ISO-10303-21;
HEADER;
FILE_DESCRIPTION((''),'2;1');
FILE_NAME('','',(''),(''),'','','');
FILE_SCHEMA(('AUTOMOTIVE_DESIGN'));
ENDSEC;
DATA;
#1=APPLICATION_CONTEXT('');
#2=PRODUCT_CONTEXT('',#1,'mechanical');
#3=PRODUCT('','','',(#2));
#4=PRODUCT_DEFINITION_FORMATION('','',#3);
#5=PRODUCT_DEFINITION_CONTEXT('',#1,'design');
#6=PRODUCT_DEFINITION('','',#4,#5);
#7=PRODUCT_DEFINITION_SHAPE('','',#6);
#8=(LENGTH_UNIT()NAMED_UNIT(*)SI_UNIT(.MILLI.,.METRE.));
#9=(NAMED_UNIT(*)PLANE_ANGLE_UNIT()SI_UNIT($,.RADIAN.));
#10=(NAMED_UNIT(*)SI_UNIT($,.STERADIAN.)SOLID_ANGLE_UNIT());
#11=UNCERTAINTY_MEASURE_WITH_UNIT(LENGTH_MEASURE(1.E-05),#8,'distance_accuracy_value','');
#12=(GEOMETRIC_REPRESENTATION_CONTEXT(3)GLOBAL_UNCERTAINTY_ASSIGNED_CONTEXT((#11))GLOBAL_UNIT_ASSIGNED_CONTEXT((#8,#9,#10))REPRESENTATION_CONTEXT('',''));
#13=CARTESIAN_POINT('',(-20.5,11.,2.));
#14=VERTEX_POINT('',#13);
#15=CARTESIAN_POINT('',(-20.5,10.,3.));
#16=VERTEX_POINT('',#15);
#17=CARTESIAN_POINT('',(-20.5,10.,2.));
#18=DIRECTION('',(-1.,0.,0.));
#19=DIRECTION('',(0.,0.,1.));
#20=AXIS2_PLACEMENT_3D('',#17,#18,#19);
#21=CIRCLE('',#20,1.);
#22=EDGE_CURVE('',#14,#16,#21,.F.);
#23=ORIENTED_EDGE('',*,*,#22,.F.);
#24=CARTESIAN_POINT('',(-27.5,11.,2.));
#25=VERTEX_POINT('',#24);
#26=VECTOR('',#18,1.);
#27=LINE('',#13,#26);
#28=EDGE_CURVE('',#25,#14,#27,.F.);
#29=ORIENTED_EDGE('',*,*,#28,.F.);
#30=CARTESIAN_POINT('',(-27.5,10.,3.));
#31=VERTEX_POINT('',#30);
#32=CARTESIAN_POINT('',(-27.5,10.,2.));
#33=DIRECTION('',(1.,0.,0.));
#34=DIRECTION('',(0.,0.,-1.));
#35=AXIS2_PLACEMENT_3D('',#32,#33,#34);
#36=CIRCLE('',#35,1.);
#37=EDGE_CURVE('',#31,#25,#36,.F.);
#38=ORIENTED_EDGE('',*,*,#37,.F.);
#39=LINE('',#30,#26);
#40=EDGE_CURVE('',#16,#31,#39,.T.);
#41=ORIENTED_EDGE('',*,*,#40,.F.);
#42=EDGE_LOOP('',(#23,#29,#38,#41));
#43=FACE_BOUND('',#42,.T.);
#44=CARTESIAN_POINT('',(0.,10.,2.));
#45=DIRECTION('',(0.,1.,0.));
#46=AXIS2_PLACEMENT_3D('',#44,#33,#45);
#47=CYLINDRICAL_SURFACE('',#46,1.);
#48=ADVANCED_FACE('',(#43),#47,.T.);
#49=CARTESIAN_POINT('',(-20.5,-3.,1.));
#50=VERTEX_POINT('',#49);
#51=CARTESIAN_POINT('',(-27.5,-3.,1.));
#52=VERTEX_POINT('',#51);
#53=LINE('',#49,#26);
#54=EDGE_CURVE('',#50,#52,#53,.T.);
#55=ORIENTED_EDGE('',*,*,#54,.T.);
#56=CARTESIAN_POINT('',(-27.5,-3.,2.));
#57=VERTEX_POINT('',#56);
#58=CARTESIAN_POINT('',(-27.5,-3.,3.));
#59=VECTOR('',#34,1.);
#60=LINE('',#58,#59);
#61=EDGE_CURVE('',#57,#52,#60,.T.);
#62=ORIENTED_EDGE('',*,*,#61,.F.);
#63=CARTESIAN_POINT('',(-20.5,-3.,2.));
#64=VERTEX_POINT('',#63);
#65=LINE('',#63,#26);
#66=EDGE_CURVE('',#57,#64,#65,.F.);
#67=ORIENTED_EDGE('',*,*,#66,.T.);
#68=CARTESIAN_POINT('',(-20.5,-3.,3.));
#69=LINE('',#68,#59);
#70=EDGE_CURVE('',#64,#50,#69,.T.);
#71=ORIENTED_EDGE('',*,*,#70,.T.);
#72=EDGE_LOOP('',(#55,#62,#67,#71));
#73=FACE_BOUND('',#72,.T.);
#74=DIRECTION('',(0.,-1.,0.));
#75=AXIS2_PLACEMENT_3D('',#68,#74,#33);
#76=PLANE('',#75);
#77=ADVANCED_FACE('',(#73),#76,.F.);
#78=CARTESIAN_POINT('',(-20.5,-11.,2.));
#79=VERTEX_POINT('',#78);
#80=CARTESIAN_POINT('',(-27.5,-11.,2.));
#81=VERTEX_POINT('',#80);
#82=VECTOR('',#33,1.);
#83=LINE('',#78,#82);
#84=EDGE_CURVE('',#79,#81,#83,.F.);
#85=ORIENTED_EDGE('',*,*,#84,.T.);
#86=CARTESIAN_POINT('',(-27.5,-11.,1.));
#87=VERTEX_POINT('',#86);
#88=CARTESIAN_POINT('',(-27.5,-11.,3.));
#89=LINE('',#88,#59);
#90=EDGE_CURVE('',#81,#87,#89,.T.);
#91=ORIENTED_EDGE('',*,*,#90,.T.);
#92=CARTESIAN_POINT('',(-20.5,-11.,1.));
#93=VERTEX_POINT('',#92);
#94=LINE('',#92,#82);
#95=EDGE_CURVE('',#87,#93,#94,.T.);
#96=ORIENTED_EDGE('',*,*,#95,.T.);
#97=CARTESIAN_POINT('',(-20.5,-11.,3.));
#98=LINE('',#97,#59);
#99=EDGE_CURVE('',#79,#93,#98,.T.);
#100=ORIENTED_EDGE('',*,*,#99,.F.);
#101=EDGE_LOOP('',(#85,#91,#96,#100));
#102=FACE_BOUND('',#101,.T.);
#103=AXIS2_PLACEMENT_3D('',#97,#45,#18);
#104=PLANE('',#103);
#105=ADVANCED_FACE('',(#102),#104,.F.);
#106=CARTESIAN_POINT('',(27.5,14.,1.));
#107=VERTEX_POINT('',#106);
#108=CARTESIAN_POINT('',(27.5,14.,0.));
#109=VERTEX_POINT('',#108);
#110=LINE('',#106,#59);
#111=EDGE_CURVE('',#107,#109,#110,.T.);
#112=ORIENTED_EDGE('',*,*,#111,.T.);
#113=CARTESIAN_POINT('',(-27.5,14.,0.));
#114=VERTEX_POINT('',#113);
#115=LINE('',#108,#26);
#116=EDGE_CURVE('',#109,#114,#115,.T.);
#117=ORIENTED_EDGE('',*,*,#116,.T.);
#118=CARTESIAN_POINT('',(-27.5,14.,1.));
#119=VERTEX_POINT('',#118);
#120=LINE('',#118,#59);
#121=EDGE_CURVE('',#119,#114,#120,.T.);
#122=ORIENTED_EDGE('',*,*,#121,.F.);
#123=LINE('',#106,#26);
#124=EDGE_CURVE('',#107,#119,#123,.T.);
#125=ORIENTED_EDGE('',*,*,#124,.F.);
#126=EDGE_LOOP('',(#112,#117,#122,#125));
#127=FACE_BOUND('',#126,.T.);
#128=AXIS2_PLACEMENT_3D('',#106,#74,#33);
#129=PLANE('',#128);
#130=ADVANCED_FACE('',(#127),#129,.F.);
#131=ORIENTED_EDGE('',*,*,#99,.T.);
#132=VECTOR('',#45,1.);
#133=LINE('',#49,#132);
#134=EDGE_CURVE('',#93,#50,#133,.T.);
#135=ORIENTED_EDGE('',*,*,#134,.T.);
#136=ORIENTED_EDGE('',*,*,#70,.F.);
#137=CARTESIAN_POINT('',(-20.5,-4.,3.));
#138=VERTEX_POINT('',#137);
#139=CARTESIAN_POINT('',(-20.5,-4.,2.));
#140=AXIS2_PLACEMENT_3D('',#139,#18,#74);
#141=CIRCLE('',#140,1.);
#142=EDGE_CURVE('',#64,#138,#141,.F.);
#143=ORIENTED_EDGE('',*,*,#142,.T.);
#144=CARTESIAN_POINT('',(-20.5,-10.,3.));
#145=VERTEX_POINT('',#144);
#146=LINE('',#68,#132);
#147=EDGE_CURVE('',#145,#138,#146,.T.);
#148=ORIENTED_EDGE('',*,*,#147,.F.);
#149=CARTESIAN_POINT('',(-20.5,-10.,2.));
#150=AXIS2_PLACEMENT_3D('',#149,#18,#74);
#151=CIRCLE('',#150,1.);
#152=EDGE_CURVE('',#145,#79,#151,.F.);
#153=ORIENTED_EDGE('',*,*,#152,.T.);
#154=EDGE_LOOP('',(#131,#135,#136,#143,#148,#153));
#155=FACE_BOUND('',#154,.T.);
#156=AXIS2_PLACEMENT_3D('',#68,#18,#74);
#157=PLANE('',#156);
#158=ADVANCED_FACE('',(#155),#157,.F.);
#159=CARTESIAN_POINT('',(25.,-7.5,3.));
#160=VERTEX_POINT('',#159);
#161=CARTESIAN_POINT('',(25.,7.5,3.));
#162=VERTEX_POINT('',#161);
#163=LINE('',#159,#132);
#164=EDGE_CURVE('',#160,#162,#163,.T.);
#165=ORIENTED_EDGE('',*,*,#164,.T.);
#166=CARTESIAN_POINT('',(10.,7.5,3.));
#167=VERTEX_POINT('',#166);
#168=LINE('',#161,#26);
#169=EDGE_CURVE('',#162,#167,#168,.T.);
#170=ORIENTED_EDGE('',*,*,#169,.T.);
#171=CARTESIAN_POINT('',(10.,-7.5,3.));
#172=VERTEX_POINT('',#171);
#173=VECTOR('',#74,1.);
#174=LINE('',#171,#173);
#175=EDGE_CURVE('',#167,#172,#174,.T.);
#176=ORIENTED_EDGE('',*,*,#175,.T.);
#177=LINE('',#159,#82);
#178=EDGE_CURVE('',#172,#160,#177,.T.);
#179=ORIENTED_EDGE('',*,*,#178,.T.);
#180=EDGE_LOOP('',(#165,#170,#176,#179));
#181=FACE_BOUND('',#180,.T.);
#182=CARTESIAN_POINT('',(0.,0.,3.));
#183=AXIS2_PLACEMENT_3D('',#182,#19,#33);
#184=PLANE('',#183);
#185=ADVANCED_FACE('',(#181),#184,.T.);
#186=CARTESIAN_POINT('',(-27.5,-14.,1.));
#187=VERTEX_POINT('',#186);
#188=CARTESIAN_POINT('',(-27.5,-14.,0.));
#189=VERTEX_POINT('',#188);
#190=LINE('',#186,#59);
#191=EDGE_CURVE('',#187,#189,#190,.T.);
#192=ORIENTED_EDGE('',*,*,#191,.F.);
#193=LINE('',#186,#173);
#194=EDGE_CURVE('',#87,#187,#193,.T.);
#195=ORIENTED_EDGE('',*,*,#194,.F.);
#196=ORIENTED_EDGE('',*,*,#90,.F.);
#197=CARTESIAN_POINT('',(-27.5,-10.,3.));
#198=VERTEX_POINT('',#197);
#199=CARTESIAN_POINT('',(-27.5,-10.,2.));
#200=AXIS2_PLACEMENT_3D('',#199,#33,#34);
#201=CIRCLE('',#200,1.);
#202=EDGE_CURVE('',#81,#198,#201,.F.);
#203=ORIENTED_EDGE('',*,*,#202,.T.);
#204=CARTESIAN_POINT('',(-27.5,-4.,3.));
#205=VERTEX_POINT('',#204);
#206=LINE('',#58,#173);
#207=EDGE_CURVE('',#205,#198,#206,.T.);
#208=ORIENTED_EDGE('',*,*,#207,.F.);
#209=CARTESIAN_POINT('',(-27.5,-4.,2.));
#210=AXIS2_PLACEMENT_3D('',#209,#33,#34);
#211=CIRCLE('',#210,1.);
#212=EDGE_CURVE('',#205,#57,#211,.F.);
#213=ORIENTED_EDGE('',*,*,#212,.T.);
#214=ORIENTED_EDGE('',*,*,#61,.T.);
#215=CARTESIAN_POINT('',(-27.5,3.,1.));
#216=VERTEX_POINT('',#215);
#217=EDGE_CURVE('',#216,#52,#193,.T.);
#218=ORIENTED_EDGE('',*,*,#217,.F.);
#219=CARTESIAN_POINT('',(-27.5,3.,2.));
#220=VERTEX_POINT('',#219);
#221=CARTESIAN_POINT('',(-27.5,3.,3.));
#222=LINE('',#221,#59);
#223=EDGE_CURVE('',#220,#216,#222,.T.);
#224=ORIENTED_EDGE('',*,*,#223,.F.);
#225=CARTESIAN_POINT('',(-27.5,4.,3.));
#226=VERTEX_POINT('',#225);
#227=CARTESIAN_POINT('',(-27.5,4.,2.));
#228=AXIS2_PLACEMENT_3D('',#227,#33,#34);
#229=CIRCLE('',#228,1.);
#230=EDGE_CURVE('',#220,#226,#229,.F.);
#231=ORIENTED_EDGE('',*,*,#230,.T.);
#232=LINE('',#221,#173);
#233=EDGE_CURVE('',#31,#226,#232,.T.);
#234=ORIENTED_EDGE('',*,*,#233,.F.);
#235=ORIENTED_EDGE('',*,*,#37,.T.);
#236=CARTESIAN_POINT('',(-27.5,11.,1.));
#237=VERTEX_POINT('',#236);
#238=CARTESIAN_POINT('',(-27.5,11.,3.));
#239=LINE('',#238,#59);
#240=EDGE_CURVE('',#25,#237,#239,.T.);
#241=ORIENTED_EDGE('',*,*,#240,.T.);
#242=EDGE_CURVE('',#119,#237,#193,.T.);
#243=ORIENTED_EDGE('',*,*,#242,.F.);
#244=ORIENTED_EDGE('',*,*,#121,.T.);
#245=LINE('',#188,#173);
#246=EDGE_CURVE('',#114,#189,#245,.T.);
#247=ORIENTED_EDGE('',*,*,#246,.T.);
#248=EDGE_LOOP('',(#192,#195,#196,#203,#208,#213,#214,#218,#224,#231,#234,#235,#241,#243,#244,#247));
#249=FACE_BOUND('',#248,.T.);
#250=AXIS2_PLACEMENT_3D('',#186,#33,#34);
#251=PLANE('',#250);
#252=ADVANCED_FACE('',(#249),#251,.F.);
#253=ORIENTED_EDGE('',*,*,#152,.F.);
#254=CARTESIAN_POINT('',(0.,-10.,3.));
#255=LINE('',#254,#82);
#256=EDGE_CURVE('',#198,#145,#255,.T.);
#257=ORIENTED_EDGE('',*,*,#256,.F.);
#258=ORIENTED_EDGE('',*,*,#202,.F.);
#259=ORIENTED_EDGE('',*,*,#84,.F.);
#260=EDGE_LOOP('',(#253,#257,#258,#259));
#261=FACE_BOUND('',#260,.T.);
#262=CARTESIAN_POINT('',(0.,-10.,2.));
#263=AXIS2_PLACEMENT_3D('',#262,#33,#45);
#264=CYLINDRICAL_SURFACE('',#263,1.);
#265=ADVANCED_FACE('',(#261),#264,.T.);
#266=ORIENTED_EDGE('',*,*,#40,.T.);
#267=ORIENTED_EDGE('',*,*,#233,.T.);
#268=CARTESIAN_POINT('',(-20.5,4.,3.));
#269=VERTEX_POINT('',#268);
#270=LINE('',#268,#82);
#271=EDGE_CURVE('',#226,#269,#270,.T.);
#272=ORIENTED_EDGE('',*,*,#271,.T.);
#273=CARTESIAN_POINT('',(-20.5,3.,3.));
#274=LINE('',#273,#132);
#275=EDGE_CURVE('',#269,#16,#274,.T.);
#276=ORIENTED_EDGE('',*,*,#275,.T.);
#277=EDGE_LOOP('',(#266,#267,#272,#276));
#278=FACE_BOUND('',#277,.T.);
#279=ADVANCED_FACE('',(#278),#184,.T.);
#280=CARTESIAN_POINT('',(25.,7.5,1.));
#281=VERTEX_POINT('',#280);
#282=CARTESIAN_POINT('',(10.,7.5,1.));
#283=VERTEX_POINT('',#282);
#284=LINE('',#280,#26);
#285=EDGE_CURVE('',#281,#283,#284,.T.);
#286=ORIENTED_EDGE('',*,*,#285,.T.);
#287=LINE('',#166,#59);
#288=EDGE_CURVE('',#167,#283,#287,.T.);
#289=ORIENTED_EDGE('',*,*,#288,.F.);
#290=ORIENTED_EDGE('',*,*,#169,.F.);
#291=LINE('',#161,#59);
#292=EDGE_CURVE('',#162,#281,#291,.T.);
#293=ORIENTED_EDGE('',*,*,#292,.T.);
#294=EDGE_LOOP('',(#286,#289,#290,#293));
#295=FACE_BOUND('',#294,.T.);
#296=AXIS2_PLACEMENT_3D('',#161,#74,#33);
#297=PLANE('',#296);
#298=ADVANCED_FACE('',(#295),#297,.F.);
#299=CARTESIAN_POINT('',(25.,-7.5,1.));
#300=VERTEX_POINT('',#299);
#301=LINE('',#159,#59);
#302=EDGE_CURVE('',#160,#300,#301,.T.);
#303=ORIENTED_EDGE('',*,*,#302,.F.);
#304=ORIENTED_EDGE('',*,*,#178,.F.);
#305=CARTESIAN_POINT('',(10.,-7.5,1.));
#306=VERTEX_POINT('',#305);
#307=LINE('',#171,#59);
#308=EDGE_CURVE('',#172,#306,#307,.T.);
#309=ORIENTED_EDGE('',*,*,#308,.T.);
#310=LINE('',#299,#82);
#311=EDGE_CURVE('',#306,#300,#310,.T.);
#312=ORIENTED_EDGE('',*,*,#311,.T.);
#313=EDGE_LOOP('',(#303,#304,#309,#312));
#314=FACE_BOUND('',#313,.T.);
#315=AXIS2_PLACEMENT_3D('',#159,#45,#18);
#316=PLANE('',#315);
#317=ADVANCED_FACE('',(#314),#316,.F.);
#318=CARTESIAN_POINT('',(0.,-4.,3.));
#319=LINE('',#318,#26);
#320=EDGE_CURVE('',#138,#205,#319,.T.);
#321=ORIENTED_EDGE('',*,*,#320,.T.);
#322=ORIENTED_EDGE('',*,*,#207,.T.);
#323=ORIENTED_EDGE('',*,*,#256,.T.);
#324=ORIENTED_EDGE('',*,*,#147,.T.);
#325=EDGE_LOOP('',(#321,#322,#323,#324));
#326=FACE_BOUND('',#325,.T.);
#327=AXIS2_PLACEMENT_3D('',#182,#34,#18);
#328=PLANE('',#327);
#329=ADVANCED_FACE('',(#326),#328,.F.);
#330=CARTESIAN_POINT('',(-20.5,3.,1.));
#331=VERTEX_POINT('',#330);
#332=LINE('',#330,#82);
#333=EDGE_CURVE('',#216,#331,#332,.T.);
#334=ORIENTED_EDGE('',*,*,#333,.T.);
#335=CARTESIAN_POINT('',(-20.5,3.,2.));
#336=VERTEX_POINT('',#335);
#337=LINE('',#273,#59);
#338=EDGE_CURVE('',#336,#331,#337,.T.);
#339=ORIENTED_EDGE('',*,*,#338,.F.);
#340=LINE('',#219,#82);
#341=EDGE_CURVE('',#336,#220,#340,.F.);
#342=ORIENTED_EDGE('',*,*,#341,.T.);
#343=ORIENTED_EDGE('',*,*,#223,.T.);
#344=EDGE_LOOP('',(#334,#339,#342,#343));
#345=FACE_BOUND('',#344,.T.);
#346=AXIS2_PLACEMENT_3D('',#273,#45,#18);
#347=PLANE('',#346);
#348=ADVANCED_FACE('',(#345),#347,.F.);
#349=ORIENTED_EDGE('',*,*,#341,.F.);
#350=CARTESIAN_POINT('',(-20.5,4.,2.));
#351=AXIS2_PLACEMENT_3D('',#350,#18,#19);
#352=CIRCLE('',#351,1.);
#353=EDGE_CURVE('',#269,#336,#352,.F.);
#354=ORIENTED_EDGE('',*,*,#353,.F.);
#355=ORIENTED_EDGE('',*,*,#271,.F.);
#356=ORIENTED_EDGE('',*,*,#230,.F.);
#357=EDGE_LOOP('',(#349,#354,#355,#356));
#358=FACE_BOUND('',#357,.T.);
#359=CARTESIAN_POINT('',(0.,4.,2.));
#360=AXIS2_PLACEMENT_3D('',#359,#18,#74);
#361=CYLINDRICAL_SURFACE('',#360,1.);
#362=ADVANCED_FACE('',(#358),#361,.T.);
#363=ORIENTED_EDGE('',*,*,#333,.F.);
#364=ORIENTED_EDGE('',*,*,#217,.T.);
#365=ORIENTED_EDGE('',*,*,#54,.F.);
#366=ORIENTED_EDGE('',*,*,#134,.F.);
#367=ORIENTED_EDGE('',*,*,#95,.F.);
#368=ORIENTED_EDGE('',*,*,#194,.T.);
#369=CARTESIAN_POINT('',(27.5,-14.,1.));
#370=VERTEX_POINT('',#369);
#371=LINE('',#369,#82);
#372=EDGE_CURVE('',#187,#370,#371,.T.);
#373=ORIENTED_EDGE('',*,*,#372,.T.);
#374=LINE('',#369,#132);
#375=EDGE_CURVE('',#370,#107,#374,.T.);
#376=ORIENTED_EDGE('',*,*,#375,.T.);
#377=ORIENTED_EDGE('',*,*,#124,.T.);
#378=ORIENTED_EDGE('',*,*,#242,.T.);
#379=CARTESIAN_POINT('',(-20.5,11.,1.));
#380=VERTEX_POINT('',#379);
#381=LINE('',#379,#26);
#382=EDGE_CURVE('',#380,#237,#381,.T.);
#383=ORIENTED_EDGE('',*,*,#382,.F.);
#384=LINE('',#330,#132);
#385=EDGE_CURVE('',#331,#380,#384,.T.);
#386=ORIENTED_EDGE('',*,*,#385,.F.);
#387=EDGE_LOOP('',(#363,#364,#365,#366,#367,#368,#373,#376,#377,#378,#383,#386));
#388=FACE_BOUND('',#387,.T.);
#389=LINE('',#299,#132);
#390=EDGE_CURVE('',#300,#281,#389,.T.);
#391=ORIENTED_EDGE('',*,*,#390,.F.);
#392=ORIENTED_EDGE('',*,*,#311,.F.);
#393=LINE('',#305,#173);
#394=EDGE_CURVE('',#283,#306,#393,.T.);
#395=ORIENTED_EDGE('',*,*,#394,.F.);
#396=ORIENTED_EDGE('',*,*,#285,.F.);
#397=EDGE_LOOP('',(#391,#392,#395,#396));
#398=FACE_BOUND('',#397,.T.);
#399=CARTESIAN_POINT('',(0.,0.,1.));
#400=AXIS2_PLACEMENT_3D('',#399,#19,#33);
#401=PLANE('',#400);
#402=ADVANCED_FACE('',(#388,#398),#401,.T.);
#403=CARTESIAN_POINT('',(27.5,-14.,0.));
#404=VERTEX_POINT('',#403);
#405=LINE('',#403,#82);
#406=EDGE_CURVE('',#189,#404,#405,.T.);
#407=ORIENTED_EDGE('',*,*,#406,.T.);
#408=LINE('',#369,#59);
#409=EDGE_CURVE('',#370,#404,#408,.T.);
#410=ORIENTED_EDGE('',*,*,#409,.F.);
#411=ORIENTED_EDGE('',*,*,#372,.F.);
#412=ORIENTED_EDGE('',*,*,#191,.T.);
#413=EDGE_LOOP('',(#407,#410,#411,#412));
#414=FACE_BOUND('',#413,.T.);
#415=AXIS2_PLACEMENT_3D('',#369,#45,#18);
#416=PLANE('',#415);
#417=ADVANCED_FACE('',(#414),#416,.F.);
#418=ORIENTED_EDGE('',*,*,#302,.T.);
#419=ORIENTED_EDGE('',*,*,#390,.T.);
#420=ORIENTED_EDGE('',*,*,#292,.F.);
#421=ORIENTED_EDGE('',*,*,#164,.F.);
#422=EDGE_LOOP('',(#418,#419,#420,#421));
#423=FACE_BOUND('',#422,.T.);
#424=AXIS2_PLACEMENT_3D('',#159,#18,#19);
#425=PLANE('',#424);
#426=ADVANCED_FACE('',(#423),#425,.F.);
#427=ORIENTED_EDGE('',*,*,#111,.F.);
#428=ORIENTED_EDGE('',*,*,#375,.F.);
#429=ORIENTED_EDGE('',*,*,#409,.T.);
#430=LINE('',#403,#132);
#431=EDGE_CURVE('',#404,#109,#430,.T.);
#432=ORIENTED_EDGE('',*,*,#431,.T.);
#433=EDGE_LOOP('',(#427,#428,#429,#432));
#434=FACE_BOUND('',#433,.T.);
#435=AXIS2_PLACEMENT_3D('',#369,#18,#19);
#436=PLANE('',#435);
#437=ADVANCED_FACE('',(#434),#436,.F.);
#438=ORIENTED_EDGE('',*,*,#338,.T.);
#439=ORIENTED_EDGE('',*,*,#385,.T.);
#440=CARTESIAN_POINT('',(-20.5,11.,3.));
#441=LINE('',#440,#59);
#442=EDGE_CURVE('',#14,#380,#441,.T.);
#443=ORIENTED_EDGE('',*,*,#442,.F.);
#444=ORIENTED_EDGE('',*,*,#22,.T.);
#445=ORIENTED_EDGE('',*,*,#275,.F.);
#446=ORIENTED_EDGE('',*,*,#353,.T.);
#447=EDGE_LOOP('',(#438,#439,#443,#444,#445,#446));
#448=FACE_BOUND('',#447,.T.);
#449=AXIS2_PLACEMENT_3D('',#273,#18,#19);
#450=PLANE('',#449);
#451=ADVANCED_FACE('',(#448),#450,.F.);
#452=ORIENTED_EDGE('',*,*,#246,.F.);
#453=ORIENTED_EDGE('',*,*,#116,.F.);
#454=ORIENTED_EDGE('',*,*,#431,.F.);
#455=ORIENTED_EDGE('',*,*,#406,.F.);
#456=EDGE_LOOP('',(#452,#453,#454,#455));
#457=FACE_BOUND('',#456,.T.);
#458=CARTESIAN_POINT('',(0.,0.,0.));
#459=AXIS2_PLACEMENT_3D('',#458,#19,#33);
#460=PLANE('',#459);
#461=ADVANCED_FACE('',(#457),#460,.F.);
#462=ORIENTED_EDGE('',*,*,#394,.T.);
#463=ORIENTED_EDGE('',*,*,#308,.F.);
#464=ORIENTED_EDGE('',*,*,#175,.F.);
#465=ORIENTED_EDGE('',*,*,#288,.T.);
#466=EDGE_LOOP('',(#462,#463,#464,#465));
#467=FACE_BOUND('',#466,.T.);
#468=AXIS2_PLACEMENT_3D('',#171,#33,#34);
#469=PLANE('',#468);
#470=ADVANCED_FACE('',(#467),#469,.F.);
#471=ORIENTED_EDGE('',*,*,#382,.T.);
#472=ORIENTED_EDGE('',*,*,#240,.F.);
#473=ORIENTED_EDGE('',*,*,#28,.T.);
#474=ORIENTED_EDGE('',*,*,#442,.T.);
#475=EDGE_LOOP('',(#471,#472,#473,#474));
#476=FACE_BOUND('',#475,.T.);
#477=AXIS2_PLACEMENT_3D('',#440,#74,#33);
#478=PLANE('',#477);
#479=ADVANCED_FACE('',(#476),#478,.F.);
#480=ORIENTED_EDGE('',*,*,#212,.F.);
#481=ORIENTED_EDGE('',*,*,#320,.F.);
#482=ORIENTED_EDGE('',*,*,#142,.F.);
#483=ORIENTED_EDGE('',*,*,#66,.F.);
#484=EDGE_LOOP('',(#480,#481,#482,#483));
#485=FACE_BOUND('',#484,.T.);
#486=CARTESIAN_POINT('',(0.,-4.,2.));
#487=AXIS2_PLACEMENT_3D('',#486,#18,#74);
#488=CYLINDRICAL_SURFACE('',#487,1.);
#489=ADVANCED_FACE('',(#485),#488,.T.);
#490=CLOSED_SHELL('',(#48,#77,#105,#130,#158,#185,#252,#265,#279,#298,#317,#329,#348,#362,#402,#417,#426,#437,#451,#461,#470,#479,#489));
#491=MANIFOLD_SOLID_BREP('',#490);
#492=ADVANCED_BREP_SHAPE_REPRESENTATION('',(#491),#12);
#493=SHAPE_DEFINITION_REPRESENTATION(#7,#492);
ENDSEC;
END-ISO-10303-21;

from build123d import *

# Parameters (mm, degrees)
SKETCH_1_W      = 55
SKETCH_1_H      = 28
EXTRUDE_1_DEPTH = 1
SKETCH_2_W      = 15
SKETCH_2_H      = 15
EXTRUDE_2_DEPTH = 2
SKETCH_3_W      = 7
SKETCH_3_H      = 8
EXTRUDE_3_DEPTH = 2
FILLET_1_R      = 1


with BuildPart() as part:
    # 草图1 → 凸台-拉伸1 (new body)
    with BuildSketch(Plane.XY):
        Rectangle(SKETCH_1_W, SKETCH_1_H)
    extrude(amount=EXTRUDE_1_DEPTH)

    # 草图2 → 凸台-拉伸2 (add)
    with BuildSketch(Plane.XY.offset(1)):
        with Locations((17.5, 0)):
            Rectangle(SKETCH_2_W, SKETCH_2_H)
    extrude(amount=EXTRUDE_2_DEPTH)

    # 草图3 → 凸台-拉伸3 (add)
    with BuildSketch(Plane.XY.offset(1)):
        with Locations((-24, -7)):
            Rectangle(SKETCH_3_W, SKETCH_3_H)
        with Locations((-24, 7)):
            Rectangle(SKETCH_3_W, SKETCH_3_H)
    extrude(amount=EXTRUDE_3_DEPTH)

    # 圆角1
    fillet_1_edges = [part.edges().sort_by_distance(p)[0] for p in [
        (-24, 3, 3),
        (-24, 11, 3),
        (-24, -3, 3),
        (-24, -11, 3),
    ]]
    fillet(fillet_1_edges, radius=FILLET_1_R)


solid = part.part
